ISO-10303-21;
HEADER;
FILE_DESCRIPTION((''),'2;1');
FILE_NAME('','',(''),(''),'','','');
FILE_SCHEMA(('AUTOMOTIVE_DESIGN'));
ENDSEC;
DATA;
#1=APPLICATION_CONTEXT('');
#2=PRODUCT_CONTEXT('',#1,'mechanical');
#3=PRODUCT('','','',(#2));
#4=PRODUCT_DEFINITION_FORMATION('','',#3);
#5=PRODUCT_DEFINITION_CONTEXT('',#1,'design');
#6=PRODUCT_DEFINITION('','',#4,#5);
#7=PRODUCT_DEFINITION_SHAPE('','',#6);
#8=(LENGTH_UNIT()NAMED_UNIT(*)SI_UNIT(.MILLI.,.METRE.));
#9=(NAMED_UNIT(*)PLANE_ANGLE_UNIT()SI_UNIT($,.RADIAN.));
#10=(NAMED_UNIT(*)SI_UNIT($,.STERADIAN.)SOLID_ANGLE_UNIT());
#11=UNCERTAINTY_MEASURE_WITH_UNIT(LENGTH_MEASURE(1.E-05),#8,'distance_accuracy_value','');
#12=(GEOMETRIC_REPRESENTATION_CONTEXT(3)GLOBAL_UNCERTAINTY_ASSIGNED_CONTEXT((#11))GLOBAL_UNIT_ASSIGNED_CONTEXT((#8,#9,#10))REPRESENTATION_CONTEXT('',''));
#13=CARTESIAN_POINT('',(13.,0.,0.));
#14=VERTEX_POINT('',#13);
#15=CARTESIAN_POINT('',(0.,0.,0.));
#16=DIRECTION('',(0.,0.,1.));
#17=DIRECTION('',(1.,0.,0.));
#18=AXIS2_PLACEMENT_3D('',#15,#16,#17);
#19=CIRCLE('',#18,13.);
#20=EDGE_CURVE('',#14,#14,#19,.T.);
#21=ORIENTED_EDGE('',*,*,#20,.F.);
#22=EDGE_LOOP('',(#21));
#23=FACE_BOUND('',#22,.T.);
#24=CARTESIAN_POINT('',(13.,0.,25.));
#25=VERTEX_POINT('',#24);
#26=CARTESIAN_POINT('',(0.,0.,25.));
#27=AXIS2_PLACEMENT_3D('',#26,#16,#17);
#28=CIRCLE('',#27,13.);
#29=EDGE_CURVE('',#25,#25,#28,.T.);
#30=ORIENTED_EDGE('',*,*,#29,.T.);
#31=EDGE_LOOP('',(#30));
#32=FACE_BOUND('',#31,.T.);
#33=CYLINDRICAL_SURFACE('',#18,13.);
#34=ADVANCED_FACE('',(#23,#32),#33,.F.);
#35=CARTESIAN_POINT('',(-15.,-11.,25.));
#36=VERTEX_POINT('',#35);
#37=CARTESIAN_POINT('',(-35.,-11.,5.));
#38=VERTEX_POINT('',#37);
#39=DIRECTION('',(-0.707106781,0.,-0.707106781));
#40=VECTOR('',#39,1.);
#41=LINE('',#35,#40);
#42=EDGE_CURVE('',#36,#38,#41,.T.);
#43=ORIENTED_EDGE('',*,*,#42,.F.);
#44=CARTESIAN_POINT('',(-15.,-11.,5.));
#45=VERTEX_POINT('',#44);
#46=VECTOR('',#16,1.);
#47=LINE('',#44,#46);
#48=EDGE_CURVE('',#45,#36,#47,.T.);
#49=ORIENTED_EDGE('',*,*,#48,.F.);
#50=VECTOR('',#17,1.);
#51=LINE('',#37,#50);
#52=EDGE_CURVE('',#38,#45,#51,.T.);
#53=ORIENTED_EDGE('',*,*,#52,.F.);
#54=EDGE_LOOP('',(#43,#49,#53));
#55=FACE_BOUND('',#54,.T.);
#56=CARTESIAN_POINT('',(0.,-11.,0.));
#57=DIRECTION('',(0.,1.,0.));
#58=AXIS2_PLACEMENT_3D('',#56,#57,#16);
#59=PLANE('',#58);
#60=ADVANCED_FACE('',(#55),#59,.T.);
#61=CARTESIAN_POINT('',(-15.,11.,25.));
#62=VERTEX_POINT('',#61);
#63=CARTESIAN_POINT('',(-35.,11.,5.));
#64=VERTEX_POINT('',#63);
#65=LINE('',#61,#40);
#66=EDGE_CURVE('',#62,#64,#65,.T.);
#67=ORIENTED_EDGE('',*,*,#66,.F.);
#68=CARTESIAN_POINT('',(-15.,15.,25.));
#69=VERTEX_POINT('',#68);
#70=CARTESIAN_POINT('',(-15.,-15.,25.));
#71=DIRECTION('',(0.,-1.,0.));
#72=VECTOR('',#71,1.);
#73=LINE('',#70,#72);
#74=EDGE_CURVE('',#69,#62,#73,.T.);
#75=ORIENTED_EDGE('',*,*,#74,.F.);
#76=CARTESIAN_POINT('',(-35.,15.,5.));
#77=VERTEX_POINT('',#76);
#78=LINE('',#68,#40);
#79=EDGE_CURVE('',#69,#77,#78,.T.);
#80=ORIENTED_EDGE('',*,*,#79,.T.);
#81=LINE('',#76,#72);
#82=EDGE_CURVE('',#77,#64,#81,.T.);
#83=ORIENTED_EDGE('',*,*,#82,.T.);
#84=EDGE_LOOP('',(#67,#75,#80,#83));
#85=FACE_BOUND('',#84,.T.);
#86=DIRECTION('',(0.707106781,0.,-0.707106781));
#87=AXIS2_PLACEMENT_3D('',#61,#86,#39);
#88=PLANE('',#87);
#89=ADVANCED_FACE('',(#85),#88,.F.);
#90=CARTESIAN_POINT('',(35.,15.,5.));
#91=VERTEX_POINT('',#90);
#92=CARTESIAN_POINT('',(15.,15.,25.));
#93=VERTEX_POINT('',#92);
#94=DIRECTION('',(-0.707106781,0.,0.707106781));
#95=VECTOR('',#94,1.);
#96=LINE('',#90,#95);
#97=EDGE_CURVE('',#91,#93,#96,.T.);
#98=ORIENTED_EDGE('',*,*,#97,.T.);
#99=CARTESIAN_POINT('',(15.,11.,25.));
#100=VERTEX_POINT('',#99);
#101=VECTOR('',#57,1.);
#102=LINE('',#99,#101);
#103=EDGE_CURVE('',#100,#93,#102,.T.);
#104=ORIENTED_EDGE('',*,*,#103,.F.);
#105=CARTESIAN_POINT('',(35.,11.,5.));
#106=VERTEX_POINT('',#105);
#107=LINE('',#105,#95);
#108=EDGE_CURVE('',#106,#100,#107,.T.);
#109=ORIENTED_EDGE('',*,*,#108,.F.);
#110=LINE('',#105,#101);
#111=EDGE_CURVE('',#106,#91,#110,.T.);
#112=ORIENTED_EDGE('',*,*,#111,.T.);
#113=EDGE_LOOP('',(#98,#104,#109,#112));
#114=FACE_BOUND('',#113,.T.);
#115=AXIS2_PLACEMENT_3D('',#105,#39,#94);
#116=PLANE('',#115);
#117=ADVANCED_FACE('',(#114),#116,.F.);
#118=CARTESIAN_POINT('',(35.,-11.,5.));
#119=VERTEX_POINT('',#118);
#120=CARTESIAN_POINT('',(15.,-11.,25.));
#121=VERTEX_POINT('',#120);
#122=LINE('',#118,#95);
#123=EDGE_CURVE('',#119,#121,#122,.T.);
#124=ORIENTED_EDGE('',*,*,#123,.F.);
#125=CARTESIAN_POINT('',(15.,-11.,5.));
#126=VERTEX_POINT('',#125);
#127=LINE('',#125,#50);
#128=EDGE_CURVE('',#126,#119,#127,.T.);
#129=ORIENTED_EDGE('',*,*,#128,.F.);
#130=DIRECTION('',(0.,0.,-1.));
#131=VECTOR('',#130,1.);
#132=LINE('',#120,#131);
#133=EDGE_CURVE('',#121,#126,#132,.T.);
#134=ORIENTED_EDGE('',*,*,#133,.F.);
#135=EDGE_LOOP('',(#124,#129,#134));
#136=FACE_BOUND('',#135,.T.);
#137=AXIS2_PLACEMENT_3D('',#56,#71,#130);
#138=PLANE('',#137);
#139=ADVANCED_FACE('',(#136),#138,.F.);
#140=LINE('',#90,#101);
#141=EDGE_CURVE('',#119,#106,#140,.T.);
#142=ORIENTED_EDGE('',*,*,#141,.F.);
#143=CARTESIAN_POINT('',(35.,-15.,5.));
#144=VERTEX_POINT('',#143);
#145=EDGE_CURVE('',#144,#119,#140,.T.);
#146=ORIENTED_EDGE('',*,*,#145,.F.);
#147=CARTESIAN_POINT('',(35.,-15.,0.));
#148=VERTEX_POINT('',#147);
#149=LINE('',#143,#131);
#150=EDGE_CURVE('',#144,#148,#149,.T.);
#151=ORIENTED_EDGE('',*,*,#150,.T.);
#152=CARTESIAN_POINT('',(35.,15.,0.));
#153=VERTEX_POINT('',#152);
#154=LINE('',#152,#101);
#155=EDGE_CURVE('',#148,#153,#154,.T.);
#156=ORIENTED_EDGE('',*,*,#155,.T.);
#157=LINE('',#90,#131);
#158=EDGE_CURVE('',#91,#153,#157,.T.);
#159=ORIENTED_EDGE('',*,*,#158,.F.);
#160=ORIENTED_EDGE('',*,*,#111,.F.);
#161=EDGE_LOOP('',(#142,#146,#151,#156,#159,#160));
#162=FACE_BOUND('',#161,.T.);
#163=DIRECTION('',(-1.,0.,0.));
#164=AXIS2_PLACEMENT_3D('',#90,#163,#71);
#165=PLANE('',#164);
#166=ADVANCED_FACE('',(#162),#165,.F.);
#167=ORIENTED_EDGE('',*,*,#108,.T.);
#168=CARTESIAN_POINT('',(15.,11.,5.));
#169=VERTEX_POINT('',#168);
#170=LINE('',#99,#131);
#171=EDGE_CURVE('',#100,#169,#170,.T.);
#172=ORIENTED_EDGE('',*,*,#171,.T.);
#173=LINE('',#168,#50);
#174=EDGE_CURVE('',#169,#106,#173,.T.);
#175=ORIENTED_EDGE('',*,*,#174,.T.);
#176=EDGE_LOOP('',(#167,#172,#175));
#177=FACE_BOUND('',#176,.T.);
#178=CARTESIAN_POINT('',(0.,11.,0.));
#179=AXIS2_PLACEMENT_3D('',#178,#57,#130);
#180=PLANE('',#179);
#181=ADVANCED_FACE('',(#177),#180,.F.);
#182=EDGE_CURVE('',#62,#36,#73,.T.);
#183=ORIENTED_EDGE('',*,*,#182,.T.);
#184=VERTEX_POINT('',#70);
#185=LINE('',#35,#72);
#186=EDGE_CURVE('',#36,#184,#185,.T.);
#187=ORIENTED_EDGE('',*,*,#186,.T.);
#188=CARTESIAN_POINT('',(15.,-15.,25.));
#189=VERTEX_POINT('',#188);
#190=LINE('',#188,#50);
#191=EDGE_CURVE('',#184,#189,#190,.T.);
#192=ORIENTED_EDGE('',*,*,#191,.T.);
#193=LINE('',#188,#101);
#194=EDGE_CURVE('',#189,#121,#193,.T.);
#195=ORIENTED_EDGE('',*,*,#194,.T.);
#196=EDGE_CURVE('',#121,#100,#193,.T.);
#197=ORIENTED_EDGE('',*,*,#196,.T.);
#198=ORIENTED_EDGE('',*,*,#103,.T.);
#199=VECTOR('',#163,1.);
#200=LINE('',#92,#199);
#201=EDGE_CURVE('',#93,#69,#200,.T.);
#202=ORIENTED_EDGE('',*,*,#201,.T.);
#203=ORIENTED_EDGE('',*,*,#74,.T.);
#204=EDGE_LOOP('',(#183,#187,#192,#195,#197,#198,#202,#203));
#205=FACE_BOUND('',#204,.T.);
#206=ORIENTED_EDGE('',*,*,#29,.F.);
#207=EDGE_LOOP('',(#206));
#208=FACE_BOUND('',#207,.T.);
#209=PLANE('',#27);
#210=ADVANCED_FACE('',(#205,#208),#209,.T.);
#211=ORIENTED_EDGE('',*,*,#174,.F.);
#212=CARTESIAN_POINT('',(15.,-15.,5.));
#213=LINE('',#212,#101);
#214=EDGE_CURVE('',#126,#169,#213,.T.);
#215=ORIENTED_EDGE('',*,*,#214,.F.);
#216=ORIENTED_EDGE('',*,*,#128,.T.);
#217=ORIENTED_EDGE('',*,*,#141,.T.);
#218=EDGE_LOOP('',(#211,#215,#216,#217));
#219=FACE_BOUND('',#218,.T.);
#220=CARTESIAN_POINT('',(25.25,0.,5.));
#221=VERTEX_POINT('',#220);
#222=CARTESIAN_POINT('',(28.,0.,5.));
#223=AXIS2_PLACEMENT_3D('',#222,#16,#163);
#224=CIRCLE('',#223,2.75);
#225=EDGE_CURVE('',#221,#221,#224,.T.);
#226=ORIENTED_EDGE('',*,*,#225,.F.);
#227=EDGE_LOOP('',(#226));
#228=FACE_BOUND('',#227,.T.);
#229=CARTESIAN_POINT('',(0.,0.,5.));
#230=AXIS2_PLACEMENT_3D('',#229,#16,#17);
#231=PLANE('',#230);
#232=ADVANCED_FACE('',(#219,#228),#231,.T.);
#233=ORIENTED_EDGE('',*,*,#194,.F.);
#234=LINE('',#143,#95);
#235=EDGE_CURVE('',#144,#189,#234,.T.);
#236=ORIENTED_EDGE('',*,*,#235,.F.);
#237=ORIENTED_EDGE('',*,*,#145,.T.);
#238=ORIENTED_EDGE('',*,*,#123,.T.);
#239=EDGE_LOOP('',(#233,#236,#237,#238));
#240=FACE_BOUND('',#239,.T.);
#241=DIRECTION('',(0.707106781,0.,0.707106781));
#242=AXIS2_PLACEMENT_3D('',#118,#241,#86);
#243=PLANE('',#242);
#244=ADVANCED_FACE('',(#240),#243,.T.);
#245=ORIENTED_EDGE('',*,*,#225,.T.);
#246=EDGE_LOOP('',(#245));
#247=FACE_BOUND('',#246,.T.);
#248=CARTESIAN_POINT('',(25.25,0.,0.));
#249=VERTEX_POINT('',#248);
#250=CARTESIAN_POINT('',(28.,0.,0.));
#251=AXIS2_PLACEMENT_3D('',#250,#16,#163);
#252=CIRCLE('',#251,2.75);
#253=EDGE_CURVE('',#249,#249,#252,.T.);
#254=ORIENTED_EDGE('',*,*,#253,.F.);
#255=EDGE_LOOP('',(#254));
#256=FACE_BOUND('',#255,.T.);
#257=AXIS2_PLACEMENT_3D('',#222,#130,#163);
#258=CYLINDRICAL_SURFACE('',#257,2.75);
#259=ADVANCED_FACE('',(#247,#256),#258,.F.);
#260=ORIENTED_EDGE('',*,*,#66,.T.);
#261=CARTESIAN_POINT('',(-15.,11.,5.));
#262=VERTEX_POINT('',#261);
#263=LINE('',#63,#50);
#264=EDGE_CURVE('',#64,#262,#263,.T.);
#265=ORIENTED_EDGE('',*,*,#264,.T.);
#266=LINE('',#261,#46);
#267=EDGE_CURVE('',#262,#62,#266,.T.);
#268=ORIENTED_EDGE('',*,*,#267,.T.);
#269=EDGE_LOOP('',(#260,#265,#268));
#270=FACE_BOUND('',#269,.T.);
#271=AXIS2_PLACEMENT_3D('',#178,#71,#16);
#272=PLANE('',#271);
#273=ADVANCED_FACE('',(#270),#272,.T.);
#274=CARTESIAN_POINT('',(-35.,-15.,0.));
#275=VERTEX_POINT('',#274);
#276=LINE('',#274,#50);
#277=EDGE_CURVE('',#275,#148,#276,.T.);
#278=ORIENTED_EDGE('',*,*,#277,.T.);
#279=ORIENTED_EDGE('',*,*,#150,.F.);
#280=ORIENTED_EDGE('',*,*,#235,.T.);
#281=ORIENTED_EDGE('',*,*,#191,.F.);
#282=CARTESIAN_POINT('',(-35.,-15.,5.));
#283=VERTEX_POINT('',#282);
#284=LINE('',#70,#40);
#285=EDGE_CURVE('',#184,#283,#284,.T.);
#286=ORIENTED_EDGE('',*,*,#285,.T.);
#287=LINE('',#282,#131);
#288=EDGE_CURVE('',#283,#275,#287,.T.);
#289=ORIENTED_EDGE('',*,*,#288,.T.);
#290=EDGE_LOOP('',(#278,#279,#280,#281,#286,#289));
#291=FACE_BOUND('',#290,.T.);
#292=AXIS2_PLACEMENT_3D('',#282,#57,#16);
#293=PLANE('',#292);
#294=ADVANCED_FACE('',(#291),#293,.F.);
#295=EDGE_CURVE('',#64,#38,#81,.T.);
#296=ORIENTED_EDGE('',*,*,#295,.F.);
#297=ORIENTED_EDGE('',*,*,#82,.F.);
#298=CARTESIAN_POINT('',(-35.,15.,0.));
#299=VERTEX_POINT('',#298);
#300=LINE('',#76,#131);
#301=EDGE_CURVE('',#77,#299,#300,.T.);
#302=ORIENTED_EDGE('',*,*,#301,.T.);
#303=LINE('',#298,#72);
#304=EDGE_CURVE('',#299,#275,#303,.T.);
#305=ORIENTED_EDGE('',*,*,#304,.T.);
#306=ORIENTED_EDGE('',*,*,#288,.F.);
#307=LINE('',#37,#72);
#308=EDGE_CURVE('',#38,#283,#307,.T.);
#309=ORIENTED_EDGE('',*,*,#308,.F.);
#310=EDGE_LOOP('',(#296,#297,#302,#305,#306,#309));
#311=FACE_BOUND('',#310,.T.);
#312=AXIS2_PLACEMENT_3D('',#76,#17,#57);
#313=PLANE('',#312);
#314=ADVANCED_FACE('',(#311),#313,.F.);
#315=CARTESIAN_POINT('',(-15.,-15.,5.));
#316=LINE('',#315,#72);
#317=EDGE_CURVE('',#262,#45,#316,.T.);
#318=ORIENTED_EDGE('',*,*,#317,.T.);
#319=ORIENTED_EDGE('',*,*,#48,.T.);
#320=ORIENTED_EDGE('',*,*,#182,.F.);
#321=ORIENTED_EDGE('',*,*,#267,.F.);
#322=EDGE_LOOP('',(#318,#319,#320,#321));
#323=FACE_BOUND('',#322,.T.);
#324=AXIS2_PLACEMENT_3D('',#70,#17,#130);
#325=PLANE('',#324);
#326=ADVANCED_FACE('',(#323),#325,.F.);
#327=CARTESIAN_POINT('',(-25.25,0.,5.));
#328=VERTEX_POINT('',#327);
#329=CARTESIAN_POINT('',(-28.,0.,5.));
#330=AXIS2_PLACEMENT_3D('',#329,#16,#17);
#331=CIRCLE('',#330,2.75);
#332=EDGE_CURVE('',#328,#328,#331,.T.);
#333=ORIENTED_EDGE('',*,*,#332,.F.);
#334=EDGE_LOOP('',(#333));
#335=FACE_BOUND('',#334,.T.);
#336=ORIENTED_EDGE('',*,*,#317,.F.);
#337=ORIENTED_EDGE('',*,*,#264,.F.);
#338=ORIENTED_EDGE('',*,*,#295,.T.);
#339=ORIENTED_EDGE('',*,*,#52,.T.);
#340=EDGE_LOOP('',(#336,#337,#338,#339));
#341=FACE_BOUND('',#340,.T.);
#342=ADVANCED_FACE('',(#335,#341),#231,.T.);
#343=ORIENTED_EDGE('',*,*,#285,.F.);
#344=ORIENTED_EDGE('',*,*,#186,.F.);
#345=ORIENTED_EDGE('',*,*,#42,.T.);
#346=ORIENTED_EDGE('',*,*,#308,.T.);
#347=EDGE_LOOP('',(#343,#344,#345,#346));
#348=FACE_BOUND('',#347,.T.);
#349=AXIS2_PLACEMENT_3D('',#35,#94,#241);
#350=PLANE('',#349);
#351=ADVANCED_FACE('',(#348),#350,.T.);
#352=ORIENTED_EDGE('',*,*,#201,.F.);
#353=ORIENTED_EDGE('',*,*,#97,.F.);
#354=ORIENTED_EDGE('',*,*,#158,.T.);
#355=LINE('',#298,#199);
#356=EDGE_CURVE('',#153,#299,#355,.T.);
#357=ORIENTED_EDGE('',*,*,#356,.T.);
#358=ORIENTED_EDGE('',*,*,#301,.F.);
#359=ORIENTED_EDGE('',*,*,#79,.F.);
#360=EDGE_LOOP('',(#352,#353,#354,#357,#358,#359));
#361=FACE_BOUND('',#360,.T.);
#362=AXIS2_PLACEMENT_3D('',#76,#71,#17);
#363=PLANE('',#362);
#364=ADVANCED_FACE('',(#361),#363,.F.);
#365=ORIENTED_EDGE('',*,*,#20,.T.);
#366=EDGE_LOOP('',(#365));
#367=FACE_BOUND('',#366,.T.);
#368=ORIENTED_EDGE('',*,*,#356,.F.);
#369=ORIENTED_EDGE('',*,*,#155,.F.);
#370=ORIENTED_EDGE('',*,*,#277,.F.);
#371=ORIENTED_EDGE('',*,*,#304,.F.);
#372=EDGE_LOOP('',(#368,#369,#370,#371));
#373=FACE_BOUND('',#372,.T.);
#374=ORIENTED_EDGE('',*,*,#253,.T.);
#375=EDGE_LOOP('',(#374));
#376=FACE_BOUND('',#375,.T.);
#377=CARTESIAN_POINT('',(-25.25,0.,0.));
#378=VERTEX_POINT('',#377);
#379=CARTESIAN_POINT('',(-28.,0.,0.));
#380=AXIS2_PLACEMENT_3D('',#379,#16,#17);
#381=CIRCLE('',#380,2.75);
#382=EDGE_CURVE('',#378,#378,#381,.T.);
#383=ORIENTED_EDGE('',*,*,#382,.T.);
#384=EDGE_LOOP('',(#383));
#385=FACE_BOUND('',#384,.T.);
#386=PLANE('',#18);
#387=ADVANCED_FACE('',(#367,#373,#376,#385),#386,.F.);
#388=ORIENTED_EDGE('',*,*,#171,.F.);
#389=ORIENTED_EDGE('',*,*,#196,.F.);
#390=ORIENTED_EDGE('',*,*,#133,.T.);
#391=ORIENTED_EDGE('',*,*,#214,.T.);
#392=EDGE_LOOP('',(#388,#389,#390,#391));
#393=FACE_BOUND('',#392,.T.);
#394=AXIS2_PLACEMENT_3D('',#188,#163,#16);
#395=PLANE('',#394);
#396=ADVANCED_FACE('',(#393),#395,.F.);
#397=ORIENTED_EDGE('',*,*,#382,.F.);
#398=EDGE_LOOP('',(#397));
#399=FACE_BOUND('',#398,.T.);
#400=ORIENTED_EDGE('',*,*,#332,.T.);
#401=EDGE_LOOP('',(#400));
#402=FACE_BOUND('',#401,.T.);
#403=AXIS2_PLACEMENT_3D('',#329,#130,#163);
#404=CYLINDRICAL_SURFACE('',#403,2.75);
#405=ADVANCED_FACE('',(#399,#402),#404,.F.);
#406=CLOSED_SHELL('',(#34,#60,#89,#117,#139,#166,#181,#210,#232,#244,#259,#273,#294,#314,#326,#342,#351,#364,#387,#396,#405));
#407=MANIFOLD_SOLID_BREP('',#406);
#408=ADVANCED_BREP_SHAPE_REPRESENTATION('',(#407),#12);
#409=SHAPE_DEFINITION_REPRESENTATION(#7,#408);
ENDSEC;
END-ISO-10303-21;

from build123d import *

# Parameters (mm, degrees)
SKETCH_1_W          = 70
SKETCH_1_H          = 30
SKETCH_1_R          = 2.75
EXTRUDE_1_DEPTH     = 5
SKETCH_2_W          = 30
SKETCH_2_H          = 30
EXTRUDE_2_DEPTH     = 20
SKETCH_3_R          = 13
CUT_EXTRUDE_1_DEPTH = 26
EXTRUDE_3_DEPTH     = 4


with BuildPart() as part:
    # 草图1 → 凸台-拉伸1 (new body)
    with BuildSketch(Plane.XY):
        Rectangle(SKETCH_1_W, SKETCH_1_H)
        with Locations((-28, 0)):
            Circle(SKETCH_1_R, mode=Mode.SUBTRACT)
        with Locations((28, 0)):
            Circle(SKETCH_1_R, mode=Mode.SUBTRACT)
    extrude(amount=EXTRUDE_1_DEPTH)

    # 草图2 → 凸台-拉伸2 (add)
    with BuildSketch(Plane.XY.offset(5)):
        Rectangle(SKETCH_2_W, SKETCH_2_H)
    extrude(amount=EXTRUDE_2_DEPTH)

    # 草图3 → 切除-拉伸1 (cut, through all)
    with BuildSketch(Plane.XY.offset(25)):
        Circle(SKETCH_3_R)
    extrude(amount=-CUT_EXTRUDE_1_DEPTH, mode=Mode.SUBTRACT)

    # 草图4 → 凸台-拉伸3 (add)
    with BuildSketch(Plane.XZ.offset(15)):
        Polygon((-15, 25), (-35, 5), (-15, 5), align=None)
        Polygon((15, 25), (15, 5), (35, 5), align=None)
    extrude_3 = extrude(amount=-EXTRUDE_3_DEPTH)

    # 镜向1: 凸台-拉伸3 across plane
    add(extrude_3.mirror(Plane.ZX))


solid = part.part
